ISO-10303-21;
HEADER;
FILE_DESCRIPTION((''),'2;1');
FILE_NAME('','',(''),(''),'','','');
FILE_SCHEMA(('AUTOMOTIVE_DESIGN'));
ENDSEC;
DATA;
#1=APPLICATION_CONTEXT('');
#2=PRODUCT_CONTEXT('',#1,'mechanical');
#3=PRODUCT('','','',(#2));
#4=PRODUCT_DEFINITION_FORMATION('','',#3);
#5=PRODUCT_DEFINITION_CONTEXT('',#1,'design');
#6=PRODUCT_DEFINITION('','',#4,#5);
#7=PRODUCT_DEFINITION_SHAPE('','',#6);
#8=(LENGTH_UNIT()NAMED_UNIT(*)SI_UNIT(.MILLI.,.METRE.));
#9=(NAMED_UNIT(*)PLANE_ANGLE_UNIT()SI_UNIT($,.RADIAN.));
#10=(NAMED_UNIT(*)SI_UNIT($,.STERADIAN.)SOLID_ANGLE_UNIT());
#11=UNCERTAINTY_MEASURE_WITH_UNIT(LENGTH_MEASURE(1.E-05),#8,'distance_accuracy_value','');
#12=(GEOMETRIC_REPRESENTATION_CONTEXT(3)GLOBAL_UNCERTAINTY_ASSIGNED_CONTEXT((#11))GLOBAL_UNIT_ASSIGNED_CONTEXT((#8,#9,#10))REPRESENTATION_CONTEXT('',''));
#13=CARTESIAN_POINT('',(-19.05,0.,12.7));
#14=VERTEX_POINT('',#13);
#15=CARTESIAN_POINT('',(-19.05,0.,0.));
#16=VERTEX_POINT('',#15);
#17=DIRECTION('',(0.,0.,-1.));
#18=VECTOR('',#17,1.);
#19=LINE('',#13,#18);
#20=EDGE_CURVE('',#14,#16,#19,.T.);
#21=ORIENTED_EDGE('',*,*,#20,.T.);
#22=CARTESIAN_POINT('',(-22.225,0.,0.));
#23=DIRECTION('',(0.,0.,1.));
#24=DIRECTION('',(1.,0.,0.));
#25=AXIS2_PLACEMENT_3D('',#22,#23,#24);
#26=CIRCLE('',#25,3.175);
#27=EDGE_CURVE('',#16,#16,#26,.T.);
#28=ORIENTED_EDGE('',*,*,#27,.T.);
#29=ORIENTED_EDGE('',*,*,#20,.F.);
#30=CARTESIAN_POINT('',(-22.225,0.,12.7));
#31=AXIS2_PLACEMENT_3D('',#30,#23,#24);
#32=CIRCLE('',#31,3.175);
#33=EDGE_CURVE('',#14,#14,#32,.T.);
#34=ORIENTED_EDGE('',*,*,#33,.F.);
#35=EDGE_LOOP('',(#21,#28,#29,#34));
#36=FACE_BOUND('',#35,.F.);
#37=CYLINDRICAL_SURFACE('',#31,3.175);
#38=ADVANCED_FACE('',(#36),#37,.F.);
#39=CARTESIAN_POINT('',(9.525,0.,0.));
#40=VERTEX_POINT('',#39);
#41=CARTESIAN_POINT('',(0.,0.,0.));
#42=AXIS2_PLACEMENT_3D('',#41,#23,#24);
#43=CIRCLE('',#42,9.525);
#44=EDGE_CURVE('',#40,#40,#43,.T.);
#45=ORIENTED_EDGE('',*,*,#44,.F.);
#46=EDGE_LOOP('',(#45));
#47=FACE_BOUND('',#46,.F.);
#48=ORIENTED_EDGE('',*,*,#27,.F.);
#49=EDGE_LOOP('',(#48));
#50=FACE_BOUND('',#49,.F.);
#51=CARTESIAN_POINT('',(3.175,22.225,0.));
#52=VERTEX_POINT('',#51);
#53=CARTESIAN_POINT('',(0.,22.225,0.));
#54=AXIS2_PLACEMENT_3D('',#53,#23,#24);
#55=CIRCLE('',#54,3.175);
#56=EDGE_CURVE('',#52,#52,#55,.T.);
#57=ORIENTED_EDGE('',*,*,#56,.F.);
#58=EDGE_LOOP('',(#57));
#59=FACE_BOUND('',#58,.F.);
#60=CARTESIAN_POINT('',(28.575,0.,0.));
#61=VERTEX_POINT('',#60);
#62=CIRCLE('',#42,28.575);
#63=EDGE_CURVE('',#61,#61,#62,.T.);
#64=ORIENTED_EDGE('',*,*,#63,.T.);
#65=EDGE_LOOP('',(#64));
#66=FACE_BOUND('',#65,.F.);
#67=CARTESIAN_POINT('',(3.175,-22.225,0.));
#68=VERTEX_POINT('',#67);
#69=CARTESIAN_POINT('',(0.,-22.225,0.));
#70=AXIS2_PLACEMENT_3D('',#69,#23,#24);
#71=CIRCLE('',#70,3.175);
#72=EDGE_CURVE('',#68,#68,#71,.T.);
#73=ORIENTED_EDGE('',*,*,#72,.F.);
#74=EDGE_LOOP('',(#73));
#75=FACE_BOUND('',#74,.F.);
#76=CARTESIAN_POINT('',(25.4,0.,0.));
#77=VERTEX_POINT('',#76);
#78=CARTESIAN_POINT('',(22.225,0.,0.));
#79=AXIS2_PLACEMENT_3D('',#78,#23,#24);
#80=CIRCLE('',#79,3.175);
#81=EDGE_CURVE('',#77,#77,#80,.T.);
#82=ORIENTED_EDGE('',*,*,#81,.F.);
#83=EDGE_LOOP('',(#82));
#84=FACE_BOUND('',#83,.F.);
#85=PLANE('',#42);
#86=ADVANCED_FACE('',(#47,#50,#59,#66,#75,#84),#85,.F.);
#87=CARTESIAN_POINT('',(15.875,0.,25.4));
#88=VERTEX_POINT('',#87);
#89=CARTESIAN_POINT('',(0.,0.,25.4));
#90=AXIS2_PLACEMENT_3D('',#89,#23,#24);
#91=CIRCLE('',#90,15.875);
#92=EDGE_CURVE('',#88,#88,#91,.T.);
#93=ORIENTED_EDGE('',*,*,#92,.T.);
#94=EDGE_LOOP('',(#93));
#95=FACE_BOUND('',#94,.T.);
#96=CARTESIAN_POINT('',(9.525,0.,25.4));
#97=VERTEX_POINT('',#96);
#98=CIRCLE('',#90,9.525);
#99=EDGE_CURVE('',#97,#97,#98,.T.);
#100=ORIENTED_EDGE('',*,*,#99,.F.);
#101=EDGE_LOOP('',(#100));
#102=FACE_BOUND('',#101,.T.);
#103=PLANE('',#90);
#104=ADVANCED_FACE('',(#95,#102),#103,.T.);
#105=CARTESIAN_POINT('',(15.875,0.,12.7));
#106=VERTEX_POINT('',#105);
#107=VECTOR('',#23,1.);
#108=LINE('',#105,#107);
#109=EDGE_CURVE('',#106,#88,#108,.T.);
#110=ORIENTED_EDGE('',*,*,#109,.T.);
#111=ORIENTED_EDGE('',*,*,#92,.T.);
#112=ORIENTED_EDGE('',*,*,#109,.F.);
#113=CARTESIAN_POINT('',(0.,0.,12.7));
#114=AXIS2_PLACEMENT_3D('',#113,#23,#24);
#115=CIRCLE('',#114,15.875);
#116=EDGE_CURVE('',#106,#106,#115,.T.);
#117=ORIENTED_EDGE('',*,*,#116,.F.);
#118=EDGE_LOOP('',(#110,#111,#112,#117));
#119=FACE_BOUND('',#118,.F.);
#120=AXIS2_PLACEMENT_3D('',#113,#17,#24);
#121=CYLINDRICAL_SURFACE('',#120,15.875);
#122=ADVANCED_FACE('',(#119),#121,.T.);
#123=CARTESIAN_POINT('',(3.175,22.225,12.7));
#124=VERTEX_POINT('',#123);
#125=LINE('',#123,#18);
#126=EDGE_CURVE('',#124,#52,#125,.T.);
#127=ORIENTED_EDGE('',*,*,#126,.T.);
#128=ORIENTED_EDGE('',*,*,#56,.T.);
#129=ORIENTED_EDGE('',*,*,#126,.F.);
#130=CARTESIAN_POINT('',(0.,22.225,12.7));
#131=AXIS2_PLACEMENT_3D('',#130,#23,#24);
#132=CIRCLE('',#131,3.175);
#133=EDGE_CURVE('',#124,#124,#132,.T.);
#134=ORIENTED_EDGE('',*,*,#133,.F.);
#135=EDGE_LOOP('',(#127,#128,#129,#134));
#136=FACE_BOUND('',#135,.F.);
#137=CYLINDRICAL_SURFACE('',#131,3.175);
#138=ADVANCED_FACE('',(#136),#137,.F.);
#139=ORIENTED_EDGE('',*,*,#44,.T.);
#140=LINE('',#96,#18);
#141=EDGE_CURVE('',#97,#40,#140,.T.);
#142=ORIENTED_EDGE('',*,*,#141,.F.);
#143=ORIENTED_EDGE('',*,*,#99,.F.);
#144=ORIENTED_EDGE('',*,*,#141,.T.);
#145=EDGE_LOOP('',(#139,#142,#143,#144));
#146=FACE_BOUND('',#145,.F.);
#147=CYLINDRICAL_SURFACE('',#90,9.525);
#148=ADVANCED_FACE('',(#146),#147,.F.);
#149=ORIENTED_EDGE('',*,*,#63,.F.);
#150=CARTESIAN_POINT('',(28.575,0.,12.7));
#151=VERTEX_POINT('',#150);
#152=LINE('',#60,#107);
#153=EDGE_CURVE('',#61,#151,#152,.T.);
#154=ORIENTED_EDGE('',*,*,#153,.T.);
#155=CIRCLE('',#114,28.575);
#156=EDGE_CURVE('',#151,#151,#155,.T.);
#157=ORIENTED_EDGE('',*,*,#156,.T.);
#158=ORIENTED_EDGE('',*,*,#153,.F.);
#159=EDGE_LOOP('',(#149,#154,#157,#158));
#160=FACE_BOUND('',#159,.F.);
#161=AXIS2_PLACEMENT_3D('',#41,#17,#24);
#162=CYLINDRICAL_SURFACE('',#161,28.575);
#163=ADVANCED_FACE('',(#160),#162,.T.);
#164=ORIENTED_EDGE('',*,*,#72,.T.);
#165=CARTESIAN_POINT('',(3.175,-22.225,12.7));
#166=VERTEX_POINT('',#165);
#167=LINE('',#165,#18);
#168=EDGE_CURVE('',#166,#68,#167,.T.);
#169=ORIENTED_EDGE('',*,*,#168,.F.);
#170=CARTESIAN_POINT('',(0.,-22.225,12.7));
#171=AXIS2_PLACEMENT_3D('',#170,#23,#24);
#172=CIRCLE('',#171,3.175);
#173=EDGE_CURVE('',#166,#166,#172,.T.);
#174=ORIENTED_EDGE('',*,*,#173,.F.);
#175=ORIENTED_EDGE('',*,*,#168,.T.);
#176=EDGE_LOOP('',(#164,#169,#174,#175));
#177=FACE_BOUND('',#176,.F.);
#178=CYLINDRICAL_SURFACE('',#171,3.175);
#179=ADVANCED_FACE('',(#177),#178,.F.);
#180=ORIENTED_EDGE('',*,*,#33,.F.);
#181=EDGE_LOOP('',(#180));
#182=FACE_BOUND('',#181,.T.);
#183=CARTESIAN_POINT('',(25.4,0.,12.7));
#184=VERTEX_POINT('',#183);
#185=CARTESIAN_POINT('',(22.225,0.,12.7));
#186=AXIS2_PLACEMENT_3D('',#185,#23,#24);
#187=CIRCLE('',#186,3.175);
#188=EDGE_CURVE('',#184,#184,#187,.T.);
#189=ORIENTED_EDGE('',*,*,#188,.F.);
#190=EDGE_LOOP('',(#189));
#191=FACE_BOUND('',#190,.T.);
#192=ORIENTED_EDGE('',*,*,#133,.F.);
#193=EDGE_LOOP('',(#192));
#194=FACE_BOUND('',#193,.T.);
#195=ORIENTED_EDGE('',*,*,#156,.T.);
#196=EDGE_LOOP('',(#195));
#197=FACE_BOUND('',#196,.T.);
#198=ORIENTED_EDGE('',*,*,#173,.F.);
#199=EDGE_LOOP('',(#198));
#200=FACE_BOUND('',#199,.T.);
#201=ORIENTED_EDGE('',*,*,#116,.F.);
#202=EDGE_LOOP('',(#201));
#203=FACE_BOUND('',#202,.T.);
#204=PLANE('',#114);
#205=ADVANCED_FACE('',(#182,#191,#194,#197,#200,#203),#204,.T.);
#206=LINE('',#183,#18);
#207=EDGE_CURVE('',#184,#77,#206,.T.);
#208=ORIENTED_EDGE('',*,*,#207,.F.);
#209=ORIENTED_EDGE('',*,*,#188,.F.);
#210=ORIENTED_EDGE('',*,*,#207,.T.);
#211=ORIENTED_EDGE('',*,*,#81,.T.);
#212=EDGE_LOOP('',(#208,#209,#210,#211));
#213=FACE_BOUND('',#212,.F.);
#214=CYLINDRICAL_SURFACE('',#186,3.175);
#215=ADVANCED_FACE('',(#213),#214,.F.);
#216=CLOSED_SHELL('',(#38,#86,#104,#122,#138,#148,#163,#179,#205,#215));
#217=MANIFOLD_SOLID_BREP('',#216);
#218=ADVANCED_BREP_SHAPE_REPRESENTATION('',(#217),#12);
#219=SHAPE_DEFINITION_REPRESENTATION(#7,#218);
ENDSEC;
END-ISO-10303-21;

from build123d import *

# Parameters (mm, degrees)
F0_R     = 28.575
F1_DEPTH = 12.7
F2_R     = 15.875
F3_DEPTH = 12.7
F4_R     = 9.525
F5_DEPTH = 25.401
F6_R     = 3.175
F7_DEPTH = 12.701


with BuildPart() as f1:
    # F0 (on Top) → F1 (new body)
    with BuildSketch(Plane.XY):
        Circle(F0_R)
    extrude(amount=F1_DEPTH)

    # F2 (on face) → F3 (join)
    with BuildSketch(Plane.XY.offset(12.7)):
        Circle(F2_R)
    extrude(amount=F3_DEPTH)

    # F4 (on face) → F5 (cut, through all)
    with BuildSketch(Plane.XY.offset(25.4)):
        Circle(F4_R)
    extrude(amount=-F5_DEPTH, mode=Mode.SUBTRACT)

    # F6 (on face) → F7 (cut, through all)
    with BuildSketch(Plane.XY.offset(12.7)):
        with Locations((0, 22.225)):
            Circle(F6_R)
        with Locations((22.225, 0)):
            Circle(F6_R)
        with Locations((-22.225, 0)):
            Circle(F6_R)
        with Locations((0, -22.225)):
            Circle(F6_R)
    extrude(amount=-F7_DEPTH, mode=Mode.SUBTRACT)


solid = f1.part
